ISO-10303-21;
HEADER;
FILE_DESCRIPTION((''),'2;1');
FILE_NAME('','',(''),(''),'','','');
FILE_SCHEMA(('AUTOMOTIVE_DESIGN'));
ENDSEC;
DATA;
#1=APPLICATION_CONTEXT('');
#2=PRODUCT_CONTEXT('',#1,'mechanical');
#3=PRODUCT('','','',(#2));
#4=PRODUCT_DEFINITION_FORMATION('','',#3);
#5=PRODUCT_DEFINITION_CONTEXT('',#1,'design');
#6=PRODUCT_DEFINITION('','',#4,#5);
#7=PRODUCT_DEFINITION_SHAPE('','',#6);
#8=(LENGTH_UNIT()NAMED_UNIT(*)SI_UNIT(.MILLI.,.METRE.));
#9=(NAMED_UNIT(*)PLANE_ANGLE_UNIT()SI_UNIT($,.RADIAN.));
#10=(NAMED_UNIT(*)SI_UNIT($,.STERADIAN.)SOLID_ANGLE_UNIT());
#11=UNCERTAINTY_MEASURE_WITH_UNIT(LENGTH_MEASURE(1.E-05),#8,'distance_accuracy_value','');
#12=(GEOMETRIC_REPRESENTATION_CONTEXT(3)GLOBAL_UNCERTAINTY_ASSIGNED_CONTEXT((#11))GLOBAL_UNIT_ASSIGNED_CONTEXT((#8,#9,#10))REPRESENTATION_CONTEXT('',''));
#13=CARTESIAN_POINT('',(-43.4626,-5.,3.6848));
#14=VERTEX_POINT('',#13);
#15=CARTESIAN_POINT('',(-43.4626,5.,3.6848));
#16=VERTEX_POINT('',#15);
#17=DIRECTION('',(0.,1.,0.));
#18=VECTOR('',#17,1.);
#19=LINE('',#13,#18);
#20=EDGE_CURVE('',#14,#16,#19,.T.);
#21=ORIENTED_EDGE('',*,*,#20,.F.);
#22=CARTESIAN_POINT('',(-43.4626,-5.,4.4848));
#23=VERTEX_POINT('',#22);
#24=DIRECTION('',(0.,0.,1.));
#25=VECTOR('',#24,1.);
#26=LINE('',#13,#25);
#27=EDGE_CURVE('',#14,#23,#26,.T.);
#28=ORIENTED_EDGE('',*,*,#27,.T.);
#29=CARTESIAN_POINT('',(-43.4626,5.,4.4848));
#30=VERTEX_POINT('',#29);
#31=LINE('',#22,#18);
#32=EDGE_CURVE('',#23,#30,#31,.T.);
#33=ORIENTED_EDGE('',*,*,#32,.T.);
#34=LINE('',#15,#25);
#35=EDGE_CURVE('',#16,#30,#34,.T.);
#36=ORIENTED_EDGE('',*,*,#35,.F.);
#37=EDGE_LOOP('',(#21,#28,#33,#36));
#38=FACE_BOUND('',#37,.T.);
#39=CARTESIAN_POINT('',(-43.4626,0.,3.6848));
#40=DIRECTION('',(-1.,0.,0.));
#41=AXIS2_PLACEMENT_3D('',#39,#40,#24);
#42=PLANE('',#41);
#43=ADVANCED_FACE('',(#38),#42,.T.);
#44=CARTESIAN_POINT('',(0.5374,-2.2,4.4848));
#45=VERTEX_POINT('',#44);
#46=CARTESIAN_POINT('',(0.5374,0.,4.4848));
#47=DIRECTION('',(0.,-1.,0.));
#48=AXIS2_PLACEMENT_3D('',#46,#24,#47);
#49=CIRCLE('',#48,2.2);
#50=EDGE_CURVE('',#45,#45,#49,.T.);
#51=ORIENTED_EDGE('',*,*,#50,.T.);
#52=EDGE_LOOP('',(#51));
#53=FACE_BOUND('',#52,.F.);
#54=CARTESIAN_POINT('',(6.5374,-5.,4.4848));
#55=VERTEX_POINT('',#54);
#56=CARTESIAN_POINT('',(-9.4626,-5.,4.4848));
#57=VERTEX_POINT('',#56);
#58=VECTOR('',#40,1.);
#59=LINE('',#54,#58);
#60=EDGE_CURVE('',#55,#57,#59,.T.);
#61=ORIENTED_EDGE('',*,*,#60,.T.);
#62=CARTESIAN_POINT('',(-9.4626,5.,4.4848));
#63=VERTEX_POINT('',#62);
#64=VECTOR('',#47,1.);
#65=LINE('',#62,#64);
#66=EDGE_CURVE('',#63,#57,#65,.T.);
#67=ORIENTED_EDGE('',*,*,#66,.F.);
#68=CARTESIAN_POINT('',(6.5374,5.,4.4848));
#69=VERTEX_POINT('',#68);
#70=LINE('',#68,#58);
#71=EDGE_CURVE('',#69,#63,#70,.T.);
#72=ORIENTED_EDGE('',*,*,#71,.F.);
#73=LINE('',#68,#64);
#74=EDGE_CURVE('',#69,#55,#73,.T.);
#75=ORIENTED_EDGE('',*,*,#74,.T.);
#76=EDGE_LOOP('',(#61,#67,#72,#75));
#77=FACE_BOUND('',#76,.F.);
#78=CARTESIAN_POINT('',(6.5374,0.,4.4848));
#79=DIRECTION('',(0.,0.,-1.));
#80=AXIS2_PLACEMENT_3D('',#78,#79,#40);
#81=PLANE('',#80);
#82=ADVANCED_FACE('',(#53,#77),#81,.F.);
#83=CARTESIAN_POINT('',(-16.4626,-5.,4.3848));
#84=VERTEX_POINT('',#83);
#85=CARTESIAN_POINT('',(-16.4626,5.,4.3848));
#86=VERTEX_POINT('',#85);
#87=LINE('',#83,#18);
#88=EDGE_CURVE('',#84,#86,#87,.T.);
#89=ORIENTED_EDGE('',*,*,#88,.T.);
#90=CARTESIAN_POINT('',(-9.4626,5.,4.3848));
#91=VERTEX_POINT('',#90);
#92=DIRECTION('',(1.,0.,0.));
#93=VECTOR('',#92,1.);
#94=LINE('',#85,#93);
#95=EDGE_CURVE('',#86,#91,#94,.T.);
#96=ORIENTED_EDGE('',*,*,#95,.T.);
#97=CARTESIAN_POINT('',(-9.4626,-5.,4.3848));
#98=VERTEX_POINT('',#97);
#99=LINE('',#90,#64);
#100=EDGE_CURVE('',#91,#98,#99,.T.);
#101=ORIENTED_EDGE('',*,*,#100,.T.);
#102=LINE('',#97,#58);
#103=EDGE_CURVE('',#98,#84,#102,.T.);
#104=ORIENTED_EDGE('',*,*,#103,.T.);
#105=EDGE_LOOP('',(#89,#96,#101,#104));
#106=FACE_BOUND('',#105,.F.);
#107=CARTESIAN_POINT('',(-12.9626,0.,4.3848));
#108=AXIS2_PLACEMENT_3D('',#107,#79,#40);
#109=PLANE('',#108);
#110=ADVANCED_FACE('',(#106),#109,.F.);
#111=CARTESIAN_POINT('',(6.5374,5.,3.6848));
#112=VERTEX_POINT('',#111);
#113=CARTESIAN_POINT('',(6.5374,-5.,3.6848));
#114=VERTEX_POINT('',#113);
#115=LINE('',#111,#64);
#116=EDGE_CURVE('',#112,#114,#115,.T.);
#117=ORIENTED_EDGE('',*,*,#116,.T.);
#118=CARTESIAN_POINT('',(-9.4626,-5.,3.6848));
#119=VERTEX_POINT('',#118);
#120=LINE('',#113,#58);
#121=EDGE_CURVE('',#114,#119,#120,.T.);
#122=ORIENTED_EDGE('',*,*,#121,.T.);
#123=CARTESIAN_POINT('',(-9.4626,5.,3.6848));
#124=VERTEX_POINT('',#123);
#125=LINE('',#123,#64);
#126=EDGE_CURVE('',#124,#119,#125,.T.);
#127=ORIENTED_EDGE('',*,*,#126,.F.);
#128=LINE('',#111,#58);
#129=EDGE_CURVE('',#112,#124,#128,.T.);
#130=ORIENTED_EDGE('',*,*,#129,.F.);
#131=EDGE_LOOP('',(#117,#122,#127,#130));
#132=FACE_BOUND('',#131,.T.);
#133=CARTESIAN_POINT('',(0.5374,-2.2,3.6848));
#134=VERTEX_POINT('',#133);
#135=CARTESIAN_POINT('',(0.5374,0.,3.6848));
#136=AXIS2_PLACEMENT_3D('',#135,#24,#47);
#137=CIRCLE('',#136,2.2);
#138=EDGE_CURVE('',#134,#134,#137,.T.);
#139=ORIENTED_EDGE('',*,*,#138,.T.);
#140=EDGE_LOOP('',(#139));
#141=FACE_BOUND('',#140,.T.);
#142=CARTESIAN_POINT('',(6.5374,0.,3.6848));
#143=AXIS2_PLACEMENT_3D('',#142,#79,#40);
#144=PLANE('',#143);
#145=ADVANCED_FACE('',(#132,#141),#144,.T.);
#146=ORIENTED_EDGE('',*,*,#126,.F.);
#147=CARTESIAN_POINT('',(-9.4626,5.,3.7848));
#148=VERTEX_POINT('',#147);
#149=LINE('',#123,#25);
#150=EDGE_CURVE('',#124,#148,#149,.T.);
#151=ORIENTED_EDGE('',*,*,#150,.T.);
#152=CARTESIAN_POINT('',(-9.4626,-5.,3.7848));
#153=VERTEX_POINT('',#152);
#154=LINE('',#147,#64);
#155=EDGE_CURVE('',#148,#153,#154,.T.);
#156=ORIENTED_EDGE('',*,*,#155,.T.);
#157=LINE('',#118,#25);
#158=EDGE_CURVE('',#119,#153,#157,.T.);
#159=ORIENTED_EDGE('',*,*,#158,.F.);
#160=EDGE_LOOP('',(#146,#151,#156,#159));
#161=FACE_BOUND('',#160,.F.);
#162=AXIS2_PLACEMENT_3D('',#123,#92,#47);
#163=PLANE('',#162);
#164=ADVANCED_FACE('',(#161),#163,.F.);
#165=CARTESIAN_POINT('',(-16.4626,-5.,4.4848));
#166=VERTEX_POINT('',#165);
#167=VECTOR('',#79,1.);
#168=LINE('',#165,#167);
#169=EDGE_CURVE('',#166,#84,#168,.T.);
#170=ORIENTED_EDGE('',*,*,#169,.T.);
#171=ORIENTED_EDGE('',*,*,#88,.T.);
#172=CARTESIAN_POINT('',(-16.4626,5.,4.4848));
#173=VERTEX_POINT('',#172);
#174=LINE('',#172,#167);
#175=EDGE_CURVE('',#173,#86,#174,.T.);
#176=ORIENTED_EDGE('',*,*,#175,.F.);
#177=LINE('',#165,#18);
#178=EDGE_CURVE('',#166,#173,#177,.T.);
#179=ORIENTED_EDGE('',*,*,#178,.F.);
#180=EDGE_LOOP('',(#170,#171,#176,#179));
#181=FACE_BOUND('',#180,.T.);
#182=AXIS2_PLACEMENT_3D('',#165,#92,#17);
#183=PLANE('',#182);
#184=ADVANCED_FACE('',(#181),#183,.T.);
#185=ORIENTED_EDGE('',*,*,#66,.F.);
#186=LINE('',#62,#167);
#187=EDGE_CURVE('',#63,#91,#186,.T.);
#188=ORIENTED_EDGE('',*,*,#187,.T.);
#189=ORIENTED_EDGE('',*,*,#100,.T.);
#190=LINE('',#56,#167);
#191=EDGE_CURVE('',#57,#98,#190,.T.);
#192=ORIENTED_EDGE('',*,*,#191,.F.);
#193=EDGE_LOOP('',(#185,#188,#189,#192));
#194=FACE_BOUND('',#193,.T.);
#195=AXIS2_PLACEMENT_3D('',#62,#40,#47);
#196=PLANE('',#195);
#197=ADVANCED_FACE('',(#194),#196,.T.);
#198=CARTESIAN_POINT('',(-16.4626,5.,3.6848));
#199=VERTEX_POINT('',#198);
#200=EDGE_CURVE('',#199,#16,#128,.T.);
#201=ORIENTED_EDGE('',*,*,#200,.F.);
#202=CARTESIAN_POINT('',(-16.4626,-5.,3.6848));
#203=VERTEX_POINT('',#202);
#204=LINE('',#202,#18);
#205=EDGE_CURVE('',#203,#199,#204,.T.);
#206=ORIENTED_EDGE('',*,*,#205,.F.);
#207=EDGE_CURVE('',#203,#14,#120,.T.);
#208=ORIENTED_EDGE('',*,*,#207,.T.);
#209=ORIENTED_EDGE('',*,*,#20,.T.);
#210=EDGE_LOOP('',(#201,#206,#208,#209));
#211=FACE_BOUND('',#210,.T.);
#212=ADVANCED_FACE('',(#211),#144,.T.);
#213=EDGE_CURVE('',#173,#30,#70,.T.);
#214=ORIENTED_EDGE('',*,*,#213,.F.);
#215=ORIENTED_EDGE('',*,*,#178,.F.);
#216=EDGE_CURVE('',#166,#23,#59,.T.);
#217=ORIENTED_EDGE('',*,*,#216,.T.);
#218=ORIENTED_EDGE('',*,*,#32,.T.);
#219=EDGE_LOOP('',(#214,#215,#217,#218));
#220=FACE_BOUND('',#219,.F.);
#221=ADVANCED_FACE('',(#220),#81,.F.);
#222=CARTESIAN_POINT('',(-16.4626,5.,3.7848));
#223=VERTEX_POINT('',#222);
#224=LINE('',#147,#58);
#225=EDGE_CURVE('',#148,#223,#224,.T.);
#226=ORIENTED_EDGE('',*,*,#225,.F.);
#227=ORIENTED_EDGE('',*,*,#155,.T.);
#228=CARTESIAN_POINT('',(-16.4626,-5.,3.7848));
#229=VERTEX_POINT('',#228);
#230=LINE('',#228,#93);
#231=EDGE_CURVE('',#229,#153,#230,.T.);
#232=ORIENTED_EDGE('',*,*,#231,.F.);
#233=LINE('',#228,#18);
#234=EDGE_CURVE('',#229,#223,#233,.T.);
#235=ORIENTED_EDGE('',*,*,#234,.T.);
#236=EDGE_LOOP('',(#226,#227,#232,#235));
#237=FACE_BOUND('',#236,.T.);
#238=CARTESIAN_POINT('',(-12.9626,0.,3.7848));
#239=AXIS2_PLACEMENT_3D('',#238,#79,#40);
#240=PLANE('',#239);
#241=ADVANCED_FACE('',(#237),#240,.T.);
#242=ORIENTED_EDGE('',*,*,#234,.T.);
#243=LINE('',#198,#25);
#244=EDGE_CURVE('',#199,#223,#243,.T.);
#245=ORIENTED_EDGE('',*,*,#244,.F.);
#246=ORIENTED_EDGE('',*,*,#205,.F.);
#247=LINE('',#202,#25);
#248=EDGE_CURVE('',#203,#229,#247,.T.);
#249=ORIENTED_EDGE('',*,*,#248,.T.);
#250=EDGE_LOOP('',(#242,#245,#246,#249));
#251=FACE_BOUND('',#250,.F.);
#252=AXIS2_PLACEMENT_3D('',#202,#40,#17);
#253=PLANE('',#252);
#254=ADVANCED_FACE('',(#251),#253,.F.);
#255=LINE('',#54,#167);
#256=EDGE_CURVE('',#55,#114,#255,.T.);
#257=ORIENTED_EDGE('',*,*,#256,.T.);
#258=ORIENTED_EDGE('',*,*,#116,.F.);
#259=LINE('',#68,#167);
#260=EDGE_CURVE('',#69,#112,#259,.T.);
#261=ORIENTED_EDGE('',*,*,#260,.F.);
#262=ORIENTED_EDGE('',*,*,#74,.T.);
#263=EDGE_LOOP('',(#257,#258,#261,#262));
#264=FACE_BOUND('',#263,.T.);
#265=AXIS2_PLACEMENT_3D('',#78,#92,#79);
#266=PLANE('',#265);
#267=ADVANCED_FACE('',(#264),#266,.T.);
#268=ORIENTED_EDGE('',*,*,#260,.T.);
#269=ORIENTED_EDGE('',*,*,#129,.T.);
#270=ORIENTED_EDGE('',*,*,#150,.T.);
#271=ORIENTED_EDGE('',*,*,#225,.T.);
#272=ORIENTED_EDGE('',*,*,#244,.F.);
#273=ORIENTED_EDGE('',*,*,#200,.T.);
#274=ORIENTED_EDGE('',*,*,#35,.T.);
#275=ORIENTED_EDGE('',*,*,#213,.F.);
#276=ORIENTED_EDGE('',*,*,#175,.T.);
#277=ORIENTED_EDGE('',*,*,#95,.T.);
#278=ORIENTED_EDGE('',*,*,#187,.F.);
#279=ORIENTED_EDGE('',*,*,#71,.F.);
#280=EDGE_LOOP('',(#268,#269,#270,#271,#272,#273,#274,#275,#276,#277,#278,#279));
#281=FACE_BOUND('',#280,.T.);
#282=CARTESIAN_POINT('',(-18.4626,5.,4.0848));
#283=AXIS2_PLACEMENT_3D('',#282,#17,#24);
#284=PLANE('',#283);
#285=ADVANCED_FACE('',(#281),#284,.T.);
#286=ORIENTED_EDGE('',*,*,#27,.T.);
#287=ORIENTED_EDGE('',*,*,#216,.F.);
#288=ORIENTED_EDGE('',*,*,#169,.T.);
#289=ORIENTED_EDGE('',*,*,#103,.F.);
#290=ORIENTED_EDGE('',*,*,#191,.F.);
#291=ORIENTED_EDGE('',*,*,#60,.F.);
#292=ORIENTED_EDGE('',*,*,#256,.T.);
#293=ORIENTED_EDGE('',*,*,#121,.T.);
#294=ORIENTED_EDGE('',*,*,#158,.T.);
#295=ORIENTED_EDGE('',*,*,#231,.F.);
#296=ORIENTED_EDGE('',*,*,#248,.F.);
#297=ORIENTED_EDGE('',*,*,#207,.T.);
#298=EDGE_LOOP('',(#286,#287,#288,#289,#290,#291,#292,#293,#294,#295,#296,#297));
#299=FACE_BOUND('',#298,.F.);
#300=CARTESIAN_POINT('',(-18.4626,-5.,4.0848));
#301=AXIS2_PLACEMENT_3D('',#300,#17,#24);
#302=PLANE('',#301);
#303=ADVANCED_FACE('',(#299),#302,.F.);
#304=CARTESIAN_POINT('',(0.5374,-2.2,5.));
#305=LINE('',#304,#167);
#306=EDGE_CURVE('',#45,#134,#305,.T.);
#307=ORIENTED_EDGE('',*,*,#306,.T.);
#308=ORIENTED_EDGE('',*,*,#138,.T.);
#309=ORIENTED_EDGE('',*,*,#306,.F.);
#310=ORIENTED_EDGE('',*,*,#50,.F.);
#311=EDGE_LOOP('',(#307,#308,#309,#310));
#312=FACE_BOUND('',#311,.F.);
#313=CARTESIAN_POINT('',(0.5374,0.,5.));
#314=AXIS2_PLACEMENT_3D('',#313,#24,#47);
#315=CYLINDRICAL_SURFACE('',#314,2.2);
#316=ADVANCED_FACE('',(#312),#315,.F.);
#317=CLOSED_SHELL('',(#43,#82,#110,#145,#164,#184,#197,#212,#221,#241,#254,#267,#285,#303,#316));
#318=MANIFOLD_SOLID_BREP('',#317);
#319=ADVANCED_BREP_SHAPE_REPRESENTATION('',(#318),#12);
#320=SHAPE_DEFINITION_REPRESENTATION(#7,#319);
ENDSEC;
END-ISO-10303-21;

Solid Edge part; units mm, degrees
sketch "Sketch1" plane through (0, 0, 0) normal (0, -1, 0) x (1, 0, 0)
  line L0 (6.5374, 3.6848) -> (-43.4626, 3.6848)
  line L1 (6.5374, 4.4848) -> (6.5374, 3.6848)
  line L2 (6.5374, 4.4848) -> (-43.4626, 4.4848)
  line L3 (-43.4626, 3.6848) -> (-43.4626, 4.4848)
  dimension "D1" = 50
extrude "Protrusion1" add sketch "Sketch1" along normal mid plane 10
sketch "Sketch2" plane through (-22.7754, 0, 5) normal (0, 0, 1) x (0, -1, 0)
  circle A0 centre (0, 23.3128) radius 2.2
  dimension "D1" = 6
  dimension "D2" = 5
extrude "Cutout1" cut sketch "Sketch2" along normal through all and the other way through all
sketch "Sketch3" plane through (-18.4626, 0, 4.4848) normal (0, 0, 1) x (1, 0, 0)
  line L0 (9, 5) -> (9, -5)
  line L1 (9, -5) -> (2, -5)
  line L2 (2, -5) -> (2, 5)
  line L3 (2, 5) -> (9, 5)
extrude "ExtrudedCutout_3" cut sketch "Sketch3" against normal blind 0.1
sketch "Sketch4" plane through (-18.4626, 0, 3.6848) normal (0, 0, -1) x (1, 0, 0)
  line L0 (2, 5) -> (2, -5)
  line L1 (9, -5) -> (2, -5)
  line L2 (9, -5) -> (9, 5)
  line L3 (2, 5) -> (9, 5)
extrude "ExtrudedCutout_4" cut sketch "Sketch4" against normal blind 0.1
properties material "Steel"
